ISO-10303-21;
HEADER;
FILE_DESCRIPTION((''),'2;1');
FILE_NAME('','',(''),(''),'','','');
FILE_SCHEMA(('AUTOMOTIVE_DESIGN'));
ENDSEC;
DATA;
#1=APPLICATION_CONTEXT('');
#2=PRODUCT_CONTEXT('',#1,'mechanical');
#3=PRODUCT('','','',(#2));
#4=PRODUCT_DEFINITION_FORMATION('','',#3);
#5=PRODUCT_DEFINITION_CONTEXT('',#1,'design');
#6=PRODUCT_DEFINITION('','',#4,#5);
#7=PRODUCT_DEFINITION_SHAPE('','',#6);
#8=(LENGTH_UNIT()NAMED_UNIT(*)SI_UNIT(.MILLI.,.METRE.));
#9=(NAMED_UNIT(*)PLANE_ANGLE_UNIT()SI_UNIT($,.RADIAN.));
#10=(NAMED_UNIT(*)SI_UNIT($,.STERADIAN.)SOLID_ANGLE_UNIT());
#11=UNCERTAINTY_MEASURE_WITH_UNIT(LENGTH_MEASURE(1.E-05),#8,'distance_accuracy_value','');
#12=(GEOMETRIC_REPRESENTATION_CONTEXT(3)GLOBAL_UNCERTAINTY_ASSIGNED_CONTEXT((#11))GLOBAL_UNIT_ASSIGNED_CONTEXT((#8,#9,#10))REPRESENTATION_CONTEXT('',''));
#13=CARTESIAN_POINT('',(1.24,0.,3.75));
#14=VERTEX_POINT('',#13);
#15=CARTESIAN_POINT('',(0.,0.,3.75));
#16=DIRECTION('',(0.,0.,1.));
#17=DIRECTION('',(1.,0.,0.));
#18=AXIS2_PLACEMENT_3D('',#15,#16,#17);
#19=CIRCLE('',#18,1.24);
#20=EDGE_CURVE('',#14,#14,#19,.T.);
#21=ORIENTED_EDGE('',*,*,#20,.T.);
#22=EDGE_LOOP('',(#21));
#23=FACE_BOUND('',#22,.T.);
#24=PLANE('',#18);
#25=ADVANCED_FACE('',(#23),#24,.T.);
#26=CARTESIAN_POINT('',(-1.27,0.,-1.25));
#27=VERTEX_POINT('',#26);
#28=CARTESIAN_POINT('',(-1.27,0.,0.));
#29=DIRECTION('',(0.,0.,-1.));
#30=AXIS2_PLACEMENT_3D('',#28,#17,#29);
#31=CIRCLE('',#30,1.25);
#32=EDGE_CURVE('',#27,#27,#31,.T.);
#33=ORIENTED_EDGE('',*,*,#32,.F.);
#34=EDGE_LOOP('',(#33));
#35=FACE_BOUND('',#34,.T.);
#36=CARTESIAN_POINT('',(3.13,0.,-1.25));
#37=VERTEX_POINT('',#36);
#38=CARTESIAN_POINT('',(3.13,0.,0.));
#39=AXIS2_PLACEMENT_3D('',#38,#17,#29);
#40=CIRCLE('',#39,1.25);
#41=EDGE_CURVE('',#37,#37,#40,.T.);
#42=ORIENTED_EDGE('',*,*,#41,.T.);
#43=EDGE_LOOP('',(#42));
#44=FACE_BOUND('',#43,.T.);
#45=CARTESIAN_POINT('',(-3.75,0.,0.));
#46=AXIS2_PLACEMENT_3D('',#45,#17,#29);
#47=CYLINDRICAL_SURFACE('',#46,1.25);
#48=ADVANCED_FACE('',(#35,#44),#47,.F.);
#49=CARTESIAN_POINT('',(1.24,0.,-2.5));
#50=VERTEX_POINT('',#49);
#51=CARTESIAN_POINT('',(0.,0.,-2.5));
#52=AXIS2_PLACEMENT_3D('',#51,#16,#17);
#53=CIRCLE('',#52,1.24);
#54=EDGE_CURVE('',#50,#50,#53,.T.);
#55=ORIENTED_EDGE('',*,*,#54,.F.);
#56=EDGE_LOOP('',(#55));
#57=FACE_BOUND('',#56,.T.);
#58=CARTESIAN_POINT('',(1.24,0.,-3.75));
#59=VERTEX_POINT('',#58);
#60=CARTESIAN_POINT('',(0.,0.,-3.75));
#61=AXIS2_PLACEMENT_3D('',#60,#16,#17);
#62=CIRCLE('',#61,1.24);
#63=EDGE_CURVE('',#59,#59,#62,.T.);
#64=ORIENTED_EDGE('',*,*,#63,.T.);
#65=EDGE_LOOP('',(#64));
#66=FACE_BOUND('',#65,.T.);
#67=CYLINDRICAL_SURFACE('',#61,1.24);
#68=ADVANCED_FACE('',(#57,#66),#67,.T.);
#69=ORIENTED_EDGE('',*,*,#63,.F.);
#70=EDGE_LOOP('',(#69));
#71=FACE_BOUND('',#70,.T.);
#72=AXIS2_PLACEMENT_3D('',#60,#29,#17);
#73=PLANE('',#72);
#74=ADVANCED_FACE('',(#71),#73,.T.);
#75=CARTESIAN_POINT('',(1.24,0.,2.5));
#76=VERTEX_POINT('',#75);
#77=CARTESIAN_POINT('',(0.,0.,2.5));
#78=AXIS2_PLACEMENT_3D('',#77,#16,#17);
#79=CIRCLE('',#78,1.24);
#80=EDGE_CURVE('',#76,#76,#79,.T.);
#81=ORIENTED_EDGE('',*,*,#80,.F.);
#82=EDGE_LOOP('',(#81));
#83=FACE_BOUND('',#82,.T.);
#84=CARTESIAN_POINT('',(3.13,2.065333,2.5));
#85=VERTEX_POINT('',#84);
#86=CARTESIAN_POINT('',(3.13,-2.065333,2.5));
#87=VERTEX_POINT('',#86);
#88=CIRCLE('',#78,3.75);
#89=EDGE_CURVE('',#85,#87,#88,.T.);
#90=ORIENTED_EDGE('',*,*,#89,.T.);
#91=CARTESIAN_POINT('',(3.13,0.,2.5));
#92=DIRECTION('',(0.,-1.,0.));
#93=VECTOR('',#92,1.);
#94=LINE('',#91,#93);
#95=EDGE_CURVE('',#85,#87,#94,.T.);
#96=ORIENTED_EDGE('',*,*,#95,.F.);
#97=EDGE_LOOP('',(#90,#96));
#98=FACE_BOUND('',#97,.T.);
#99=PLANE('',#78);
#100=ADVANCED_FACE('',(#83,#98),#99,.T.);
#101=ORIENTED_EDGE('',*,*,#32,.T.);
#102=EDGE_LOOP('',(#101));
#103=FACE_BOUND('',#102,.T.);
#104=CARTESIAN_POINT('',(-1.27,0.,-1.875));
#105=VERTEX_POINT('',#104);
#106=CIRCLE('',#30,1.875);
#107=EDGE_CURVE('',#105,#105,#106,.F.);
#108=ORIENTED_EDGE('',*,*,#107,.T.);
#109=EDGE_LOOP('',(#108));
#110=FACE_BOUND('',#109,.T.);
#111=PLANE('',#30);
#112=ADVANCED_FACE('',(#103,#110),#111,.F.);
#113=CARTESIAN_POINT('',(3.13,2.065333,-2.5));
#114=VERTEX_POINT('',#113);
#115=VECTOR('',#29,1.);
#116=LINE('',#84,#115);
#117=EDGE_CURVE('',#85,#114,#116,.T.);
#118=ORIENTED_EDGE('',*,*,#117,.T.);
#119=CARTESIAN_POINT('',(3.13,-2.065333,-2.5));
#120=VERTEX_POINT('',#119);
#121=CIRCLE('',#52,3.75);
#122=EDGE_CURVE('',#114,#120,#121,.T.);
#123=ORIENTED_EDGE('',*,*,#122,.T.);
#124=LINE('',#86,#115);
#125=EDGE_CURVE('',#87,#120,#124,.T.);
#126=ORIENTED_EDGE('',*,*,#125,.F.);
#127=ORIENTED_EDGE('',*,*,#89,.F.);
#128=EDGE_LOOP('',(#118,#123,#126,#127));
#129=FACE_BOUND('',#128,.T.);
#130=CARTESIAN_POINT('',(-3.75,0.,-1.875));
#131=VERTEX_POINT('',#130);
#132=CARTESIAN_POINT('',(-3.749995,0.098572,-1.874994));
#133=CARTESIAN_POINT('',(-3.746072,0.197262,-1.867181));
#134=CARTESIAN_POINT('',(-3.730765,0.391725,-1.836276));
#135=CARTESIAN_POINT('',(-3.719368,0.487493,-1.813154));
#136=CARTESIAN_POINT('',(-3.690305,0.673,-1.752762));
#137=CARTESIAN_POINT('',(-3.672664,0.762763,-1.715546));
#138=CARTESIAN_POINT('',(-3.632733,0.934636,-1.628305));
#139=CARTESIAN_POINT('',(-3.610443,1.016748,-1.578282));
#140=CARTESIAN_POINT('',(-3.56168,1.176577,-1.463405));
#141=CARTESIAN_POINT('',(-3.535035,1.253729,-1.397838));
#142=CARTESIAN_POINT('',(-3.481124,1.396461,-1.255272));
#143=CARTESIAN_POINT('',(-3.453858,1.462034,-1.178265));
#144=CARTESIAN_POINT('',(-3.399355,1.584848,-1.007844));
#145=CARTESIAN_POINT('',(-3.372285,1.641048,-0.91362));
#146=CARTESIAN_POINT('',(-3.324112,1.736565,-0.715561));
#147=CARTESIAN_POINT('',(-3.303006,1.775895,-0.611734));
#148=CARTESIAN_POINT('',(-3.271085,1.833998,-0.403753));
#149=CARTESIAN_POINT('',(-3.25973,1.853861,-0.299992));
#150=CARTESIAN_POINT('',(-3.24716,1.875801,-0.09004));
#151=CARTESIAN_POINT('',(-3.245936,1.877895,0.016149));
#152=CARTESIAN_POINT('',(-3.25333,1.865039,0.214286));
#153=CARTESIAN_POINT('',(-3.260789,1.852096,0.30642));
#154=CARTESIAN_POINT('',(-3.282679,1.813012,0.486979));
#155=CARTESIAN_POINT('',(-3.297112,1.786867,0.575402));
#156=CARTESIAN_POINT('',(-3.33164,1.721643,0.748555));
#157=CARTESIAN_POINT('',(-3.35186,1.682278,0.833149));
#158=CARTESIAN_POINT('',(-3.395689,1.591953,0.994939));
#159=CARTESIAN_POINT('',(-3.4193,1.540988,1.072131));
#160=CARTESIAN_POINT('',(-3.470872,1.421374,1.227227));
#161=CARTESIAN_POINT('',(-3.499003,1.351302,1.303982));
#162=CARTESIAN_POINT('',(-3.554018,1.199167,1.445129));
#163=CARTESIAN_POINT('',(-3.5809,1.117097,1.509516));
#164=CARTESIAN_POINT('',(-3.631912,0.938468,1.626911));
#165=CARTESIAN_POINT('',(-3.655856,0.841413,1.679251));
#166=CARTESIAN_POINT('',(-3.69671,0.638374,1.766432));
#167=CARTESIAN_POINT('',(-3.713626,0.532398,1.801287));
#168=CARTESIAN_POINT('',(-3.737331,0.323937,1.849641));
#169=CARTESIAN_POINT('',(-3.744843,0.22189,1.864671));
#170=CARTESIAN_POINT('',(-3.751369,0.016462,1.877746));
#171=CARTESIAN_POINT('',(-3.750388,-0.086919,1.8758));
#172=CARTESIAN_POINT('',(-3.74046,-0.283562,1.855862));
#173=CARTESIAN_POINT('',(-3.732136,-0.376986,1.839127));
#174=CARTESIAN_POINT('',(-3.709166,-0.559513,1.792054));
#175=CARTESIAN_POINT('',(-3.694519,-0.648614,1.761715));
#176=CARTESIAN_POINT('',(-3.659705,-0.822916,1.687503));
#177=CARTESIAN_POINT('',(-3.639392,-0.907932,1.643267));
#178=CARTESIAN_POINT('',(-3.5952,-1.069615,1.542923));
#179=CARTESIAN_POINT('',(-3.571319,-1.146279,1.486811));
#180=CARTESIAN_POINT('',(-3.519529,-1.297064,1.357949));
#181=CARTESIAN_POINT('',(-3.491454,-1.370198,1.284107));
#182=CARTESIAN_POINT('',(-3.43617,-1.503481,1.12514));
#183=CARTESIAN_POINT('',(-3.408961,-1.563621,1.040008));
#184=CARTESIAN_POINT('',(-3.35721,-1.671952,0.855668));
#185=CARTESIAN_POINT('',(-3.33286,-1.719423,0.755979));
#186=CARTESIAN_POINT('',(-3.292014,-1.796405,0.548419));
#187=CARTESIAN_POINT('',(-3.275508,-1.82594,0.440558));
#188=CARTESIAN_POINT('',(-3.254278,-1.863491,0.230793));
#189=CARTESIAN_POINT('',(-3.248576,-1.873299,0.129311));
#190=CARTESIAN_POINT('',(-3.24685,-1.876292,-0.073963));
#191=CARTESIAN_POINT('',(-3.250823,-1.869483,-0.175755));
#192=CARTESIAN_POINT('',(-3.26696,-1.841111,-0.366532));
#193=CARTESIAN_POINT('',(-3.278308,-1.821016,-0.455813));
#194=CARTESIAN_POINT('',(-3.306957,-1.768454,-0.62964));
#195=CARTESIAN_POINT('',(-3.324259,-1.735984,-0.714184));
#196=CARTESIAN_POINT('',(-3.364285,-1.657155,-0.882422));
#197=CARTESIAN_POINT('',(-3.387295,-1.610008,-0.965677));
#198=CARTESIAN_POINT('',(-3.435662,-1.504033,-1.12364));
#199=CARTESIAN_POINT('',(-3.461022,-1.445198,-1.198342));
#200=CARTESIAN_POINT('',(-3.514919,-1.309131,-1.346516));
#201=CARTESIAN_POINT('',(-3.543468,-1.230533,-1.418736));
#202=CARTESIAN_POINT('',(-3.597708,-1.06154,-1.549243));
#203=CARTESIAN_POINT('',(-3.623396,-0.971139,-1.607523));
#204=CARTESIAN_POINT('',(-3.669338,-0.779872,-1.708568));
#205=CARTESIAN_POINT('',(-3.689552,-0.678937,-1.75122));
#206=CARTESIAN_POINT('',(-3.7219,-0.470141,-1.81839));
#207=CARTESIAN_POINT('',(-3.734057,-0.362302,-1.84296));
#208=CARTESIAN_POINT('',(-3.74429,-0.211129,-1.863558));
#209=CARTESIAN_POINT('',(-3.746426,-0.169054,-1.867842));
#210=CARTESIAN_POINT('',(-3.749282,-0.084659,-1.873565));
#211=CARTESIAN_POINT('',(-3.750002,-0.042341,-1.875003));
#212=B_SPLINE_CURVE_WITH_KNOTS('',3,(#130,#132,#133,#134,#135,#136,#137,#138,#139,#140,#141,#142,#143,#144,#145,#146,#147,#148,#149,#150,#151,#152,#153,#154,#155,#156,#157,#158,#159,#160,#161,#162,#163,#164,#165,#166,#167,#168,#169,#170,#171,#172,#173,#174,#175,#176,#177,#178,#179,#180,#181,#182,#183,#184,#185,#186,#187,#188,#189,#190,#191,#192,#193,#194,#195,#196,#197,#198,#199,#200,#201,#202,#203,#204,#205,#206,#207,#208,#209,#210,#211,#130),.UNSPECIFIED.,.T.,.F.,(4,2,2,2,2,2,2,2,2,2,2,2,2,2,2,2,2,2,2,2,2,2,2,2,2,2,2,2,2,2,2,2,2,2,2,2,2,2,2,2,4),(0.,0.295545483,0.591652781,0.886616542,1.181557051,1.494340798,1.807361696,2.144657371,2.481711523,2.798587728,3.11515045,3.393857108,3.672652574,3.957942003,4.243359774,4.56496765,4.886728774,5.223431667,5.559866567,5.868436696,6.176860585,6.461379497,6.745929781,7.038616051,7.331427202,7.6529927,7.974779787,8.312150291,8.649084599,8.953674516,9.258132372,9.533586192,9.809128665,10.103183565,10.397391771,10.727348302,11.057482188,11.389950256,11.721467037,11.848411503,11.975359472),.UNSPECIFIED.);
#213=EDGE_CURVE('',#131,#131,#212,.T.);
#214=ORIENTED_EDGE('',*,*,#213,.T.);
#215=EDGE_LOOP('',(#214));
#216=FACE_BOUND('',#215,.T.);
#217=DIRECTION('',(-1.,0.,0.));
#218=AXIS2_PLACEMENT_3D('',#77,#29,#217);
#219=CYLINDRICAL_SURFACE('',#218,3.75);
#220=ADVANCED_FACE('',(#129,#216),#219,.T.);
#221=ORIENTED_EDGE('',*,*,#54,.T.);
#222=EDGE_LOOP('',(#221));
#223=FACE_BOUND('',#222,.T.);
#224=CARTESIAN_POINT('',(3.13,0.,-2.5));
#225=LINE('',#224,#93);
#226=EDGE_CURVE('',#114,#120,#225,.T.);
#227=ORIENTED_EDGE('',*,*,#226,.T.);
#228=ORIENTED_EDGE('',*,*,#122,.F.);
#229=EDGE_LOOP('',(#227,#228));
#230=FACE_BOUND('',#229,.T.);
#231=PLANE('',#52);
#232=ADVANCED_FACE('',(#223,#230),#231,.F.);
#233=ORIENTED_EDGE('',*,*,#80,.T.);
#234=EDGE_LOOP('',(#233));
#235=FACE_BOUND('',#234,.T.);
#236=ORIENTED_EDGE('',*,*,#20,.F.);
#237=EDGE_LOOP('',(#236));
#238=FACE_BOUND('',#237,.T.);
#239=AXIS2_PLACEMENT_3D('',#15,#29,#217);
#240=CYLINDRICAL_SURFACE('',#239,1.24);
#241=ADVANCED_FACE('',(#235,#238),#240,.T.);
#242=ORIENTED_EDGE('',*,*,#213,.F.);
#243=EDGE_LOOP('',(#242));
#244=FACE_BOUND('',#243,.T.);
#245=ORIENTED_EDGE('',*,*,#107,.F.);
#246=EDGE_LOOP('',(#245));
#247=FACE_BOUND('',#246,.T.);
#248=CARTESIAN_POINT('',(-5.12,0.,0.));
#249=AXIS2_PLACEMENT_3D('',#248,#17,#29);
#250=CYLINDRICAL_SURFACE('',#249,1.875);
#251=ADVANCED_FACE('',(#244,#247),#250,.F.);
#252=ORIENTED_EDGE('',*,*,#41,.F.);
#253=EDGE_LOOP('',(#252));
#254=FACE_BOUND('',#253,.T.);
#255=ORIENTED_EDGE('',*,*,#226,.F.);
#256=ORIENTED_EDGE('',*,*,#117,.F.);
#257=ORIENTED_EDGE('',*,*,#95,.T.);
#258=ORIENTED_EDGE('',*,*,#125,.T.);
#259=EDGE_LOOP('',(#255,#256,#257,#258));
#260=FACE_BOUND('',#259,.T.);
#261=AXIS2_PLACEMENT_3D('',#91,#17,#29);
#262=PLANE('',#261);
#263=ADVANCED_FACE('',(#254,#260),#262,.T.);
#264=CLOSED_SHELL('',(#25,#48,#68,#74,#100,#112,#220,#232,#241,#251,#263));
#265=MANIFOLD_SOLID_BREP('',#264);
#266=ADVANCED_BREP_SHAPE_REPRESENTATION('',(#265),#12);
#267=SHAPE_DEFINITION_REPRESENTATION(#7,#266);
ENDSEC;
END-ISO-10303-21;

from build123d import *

# Parameters (mm, degrees)
BOSS_EXTRUDE1_DEPTH = 2.5
SKETCH4_R           = 1.24
BOSS_EXTRUDE2_DEPTH = 1.25
SKETCH5_R           = 1.25
CUT_EXTRUDE2_DEPTH  = 7.88
SKETCH7_R           = 1.875
CUT_EXTRUDE3_DEPTH  = 8.25
SKETCH8_R           = 1.875
BOSS_EXTRUDE3_DEPTH = 4.4
SKETCH5_3_R         = 1.25
CUT_EXTRUDE4_DEPTH  = 7.8800001


with BuildPart() as part:
    # Sketch3 → Boss-Extrude1 (new body, symmetric)
    with BuildSketch(Plane.XY):
        with BuildLine():
            Line((3.13, -2.065332903), (3.13, 2.065332903))
            ThreePointArc((3.13, 2.065332903), (-3.75, 0), (3.13, -2.065332903))
        make_face()
    extrude(amount=BOSS_EXTRUDE1_DEPTH, both=True)

    # Sketch4 → Boss-Extrude2 (add)
    with BuildSketch(Plane.XY.offset(2.5)):
        Circle(SKETCH4_R)
    boss_extrude2 = extrude(amount=BOSS_EXTRUDE2_DEPTH)

    # Mirror1: Boss-Extrude2 across plane
    add(boss_extrude2.mirror(Plane.XY))

    # Sketch5 → Cut-Extrude2 (cut, through all)
    with BuildSketch(Plane(origin=(3.13, 0, 0), x_dir=(0, 0, -1), z_dir=(1, 0, 0))):
        Circle(SKETCH5_R)
    extrude(amount=-CUT_EXTRUDE2_DEPTH, mode=Mode.SUBTRACT)

    # Sketch7 → Cut-Extrude3 (cut)
    with BuildSketch(Plane(origin=(3.13, 0, 0), x_dir=(0, 0, -1), z_dir=(1, 0, 0))):
        Circle(SKETCH7_R)
    extrude(amount=-CUT_EXTRUDE3_DEPTH, mode=Mode.SUBTRACT)

    # Sketch8 → Boss-Extrude3 (add)
    with BuildSketch(Plane(origin=(3.13, 0, 0), x_dir=(0, 0, -1), z_dir=(1, 0, 0))):
        Circle(SKETCH8_R)
    extrude(amount=-BOSS_EXTRUDE3_DEPTH)

    # Sketch5<3> → Cut-Extrude4 (cut, through all)
    with BuildSketch(Plane(origin=(3.13, 0, 0), x_dir=(0, 0, -1), z_dir=(1, 0, 0))):
        Circle(SKETCH5_3_R)
    extrude(amount=-CUT_EXTRUDE4_DEPTH, mode=Mode.SUBTRACT)


solid = part.part
